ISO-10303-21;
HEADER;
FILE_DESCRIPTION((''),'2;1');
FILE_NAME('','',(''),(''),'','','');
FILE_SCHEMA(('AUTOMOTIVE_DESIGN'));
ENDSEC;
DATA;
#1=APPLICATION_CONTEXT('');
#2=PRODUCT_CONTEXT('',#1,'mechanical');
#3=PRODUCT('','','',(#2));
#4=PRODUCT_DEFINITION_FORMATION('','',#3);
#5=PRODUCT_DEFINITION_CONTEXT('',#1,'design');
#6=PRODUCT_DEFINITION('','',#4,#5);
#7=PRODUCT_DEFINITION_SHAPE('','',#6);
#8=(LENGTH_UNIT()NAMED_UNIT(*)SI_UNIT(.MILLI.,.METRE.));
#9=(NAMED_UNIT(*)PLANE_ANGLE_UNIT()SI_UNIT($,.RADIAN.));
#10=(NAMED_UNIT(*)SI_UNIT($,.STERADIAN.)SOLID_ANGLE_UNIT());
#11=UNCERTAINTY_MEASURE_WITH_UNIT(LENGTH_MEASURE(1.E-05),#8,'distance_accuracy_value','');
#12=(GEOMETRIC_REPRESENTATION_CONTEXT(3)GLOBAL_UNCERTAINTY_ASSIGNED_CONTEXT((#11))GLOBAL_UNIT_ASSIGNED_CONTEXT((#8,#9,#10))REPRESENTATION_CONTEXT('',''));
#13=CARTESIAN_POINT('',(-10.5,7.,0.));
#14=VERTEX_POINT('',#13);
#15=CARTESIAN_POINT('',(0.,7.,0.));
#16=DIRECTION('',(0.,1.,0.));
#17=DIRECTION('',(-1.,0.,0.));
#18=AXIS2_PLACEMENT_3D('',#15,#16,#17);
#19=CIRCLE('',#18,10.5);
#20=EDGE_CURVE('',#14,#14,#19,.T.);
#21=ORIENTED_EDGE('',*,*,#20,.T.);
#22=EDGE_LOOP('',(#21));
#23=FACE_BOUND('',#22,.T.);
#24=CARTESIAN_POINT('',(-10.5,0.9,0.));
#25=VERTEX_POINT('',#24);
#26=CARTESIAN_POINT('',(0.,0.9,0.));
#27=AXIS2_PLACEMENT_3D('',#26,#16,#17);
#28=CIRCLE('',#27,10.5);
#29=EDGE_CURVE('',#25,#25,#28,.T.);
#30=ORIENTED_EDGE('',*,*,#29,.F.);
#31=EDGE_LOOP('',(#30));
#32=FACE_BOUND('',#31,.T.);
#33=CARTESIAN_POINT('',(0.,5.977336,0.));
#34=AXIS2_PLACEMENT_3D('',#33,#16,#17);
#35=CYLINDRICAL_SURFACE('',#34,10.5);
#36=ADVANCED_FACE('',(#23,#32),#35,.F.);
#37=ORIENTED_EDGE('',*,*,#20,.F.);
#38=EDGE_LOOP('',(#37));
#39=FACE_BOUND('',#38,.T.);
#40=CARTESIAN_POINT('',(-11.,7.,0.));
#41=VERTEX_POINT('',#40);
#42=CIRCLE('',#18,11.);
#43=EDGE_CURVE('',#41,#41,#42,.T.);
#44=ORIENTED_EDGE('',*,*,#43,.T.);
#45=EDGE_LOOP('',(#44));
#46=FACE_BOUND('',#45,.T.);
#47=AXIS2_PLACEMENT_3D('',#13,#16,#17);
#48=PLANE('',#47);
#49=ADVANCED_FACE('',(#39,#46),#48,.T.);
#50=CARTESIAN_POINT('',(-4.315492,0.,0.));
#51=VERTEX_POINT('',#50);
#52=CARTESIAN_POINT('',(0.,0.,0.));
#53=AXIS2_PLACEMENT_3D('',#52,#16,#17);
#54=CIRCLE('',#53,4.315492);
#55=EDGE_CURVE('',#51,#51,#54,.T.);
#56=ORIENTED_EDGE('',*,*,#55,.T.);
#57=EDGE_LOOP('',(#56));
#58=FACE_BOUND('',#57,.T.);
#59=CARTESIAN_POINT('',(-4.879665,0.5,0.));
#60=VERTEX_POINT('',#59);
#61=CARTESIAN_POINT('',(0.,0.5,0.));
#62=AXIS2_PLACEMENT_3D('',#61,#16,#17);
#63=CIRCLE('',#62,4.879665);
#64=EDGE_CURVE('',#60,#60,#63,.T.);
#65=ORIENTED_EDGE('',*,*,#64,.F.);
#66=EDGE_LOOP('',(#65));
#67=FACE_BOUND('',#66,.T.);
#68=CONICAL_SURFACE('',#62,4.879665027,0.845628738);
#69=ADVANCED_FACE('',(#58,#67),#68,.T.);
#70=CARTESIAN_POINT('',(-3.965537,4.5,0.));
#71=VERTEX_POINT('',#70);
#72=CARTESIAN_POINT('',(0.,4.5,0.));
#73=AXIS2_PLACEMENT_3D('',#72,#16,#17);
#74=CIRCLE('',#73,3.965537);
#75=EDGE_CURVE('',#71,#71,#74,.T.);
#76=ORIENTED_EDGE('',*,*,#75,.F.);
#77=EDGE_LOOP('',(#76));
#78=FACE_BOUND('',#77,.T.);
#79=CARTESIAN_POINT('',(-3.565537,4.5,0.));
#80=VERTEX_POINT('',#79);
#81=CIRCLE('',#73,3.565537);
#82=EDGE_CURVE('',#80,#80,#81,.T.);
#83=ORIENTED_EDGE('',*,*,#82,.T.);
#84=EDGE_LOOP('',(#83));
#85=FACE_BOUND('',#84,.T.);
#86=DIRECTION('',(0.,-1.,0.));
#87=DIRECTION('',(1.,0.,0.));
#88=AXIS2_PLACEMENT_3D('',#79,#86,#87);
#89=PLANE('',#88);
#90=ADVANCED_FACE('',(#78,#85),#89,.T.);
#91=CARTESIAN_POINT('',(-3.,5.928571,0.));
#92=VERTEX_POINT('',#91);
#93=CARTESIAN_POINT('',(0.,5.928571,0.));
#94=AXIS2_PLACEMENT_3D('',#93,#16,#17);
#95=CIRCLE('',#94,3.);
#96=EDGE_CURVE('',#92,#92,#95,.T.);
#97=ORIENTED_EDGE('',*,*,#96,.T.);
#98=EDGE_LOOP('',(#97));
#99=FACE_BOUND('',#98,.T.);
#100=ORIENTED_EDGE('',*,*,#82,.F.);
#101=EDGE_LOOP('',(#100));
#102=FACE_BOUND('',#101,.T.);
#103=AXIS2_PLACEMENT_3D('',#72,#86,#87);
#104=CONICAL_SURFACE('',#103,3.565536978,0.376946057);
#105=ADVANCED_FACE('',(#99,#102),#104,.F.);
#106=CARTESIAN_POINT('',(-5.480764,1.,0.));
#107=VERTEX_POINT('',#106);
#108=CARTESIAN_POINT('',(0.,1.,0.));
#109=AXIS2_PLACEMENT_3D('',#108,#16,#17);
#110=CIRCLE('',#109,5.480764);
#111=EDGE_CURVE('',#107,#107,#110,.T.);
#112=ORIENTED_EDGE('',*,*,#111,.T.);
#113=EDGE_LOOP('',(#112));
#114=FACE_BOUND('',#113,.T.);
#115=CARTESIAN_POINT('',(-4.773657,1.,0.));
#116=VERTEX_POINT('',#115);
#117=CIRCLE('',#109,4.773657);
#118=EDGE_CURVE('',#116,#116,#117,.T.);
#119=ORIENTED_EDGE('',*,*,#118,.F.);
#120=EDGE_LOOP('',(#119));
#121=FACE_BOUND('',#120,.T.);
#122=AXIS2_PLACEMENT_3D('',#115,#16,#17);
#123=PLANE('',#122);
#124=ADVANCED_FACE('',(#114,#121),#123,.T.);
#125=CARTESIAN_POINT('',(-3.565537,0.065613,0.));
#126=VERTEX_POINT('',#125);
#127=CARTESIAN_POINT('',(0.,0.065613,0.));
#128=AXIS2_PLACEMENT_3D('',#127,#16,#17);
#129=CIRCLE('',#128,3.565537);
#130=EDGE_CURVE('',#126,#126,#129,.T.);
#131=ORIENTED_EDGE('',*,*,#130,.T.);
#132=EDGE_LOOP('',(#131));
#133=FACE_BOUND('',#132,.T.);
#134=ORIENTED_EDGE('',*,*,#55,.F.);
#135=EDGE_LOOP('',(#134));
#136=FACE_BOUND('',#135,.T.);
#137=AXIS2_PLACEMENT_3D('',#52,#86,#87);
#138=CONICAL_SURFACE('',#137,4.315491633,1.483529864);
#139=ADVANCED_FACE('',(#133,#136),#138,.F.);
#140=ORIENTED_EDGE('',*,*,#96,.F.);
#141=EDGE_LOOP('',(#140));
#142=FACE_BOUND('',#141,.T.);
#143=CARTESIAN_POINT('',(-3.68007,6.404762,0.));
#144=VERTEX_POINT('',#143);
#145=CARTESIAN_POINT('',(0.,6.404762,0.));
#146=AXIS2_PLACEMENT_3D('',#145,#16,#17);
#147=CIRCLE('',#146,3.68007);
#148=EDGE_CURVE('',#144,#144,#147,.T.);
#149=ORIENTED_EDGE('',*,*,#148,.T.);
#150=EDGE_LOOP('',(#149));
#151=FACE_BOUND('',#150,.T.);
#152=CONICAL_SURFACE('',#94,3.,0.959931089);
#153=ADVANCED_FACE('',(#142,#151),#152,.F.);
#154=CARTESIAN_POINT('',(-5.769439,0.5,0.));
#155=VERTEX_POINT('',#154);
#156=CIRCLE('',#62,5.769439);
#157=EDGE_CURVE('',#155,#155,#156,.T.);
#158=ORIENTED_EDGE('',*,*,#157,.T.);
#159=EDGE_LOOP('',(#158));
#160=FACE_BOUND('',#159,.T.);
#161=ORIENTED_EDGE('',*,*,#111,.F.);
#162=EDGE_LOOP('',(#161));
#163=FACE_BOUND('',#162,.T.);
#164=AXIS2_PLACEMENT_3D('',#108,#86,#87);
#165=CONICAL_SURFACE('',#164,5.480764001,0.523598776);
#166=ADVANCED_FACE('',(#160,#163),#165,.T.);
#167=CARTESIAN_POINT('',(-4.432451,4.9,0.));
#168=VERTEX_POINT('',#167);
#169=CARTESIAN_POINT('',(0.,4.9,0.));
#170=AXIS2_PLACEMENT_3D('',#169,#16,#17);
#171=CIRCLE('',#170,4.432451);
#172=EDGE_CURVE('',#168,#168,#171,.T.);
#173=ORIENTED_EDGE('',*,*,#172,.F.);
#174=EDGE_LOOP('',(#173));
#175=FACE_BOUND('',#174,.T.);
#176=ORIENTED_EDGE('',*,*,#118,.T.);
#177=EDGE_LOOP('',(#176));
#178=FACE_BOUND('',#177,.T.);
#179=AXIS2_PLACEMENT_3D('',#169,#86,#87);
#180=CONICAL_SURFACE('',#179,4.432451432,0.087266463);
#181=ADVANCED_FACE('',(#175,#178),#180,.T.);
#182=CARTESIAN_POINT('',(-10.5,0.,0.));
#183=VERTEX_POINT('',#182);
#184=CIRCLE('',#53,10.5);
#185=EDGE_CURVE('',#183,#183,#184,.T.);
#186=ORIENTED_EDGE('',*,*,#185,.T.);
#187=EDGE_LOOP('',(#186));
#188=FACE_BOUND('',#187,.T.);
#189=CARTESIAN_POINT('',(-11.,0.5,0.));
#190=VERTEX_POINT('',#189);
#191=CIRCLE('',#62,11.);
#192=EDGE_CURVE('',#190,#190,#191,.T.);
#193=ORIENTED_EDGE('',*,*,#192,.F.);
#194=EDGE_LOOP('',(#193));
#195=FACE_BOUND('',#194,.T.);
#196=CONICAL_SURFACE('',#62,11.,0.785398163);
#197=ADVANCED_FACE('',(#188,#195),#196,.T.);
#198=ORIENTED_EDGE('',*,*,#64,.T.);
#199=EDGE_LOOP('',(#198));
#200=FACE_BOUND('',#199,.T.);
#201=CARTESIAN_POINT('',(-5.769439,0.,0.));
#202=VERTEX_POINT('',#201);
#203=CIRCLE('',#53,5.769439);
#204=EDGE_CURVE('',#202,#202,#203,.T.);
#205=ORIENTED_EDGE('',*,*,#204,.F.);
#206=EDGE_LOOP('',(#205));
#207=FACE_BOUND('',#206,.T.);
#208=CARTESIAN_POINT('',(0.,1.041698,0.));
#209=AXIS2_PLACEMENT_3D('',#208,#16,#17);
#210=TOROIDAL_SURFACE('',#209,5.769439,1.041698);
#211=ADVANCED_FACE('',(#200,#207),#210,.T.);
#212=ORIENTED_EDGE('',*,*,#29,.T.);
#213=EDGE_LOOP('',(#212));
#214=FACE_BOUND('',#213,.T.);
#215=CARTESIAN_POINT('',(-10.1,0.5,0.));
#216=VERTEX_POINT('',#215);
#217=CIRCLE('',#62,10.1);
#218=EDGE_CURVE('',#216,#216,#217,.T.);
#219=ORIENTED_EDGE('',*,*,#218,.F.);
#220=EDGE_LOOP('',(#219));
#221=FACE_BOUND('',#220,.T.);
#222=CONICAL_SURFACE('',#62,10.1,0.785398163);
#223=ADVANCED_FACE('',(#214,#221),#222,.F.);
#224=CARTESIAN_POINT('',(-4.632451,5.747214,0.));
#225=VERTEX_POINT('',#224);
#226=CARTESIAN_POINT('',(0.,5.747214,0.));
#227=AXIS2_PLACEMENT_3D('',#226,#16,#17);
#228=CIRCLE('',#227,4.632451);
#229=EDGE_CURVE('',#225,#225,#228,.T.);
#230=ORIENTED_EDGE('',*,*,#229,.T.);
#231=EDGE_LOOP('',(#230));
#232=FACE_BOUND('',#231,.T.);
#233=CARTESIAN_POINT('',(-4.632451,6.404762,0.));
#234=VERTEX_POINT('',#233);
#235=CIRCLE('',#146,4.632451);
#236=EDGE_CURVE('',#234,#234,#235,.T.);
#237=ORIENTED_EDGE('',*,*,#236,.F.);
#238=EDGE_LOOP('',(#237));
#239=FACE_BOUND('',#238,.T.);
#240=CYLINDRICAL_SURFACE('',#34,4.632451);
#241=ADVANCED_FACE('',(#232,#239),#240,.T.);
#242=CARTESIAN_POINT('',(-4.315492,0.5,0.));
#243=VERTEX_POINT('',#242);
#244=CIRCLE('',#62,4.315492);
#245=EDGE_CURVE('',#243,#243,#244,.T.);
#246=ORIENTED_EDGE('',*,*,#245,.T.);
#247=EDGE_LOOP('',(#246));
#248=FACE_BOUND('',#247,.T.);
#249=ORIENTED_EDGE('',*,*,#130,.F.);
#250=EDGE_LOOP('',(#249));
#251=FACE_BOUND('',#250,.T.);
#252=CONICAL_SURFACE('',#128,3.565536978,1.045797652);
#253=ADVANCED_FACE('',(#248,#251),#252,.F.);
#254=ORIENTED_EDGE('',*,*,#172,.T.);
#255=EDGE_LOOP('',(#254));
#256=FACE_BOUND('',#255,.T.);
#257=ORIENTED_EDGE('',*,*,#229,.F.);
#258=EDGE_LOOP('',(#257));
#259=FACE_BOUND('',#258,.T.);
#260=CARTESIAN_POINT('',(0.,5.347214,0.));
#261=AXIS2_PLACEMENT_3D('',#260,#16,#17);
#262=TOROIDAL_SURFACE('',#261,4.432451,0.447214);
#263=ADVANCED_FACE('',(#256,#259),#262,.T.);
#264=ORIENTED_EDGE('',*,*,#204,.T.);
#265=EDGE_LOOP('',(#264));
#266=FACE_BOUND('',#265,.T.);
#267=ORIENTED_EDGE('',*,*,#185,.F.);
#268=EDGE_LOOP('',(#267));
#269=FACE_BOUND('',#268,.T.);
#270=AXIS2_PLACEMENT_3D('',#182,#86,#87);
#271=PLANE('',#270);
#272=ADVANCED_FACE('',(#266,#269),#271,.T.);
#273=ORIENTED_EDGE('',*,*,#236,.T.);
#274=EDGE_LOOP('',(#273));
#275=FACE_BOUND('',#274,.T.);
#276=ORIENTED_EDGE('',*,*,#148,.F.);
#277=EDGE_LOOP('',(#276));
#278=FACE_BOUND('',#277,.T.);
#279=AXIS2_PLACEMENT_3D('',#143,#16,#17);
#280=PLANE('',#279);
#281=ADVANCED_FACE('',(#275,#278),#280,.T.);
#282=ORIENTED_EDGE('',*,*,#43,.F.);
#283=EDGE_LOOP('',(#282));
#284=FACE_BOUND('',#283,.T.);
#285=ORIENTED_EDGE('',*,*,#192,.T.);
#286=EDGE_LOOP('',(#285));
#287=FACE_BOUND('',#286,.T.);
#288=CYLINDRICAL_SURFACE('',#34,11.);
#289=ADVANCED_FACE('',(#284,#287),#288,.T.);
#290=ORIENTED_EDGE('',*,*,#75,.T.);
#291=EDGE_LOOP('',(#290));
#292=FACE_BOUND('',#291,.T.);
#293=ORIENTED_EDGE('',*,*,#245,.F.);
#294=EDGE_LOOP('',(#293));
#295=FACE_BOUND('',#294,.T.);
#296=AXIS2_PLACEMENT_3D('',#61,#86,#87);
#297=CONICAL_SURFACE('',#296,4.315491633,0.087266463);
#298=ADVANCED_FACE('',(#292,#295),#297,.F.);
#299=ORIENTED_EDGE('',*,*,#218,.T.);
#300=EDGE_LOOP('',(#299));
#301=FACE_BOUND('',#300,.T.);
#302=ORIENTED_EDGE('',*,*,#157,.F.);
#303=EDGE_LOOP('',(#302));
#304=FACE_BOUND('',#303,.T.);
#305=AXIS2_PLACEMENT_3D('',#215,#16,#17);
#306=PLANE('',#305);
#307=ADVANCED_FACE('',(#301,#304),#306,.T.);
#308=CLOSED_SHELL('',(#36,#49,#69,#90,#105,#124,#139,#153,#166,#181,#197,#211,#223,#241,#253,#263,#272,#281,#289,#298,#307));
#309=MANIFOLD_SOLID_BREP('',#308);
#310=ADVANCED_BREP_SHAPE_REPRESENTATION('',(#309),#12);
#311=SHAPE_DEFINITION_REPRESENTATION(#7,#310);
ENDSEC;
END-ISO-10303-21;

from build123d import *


with BuildPart() as part:
    # 草图1 → 旋转1 (revolve)
    with BuildSketch(Plane.XY):
        with BuildLine():
            Line((-10.5, 0), (-5.769439135, 0))
            ThreePointArc((-5.769439135, 0), (-5.259121106, 0.133562425), (-4.879665027, 0.5))
            Line((-4.879665027, 0.5), (-4.315491633, 0))
            Line((-4.315491633, 0), (-3.565536978, 0.06561253))
            Line((-3.565536978, 0.06561253), (-4.315491633, 0.5))
            Line((-4.315491633, 0.5), (-3.965536978, 4.5))
            Line((-3.965536978, 4.5), (-3.565536978, 4.5))
            Line((-3.565536978, 4.5), (-3, 5.928571429))
            Line((-3, 5.928571429), (-3.680070479, 6.404761905))
            Line((-3.680070479, 6.404761905), (-4.632451432, 6.404761905))
            Line((-4.632451432, 6.404761905), (-4.632451432, 5.747213595))
            ThreePointArc((-4.632451432, 5.747213595), (-4.867701612, 5.244464966), (-4.432451432, 4.9))
            Line((-4.432451432, 4.9), (-4.77365722, 1))
            Line((-4.77365722, 1), (-5.480764001, 1))
            Line((-5.480764001, 1), (-5.769439135, 0.5))
            Line((-5.769439135, 0.5), (-10.1, 0.5))
            Line((-10.1, 0.5), (-10.5, 0.9))
            Line((-10.5, 0.9), (-10.5, 7))
            Line((-10.5, 7), (-11, 7))
            Line((-11, 7), (-11, 0.5))
            Line((-11, 0.5), (-10.5, 0))
        make_face()
    revolve(axis=Axis((0, 5.977335763, 0), (0, -1, 0)))


solid = part.part
